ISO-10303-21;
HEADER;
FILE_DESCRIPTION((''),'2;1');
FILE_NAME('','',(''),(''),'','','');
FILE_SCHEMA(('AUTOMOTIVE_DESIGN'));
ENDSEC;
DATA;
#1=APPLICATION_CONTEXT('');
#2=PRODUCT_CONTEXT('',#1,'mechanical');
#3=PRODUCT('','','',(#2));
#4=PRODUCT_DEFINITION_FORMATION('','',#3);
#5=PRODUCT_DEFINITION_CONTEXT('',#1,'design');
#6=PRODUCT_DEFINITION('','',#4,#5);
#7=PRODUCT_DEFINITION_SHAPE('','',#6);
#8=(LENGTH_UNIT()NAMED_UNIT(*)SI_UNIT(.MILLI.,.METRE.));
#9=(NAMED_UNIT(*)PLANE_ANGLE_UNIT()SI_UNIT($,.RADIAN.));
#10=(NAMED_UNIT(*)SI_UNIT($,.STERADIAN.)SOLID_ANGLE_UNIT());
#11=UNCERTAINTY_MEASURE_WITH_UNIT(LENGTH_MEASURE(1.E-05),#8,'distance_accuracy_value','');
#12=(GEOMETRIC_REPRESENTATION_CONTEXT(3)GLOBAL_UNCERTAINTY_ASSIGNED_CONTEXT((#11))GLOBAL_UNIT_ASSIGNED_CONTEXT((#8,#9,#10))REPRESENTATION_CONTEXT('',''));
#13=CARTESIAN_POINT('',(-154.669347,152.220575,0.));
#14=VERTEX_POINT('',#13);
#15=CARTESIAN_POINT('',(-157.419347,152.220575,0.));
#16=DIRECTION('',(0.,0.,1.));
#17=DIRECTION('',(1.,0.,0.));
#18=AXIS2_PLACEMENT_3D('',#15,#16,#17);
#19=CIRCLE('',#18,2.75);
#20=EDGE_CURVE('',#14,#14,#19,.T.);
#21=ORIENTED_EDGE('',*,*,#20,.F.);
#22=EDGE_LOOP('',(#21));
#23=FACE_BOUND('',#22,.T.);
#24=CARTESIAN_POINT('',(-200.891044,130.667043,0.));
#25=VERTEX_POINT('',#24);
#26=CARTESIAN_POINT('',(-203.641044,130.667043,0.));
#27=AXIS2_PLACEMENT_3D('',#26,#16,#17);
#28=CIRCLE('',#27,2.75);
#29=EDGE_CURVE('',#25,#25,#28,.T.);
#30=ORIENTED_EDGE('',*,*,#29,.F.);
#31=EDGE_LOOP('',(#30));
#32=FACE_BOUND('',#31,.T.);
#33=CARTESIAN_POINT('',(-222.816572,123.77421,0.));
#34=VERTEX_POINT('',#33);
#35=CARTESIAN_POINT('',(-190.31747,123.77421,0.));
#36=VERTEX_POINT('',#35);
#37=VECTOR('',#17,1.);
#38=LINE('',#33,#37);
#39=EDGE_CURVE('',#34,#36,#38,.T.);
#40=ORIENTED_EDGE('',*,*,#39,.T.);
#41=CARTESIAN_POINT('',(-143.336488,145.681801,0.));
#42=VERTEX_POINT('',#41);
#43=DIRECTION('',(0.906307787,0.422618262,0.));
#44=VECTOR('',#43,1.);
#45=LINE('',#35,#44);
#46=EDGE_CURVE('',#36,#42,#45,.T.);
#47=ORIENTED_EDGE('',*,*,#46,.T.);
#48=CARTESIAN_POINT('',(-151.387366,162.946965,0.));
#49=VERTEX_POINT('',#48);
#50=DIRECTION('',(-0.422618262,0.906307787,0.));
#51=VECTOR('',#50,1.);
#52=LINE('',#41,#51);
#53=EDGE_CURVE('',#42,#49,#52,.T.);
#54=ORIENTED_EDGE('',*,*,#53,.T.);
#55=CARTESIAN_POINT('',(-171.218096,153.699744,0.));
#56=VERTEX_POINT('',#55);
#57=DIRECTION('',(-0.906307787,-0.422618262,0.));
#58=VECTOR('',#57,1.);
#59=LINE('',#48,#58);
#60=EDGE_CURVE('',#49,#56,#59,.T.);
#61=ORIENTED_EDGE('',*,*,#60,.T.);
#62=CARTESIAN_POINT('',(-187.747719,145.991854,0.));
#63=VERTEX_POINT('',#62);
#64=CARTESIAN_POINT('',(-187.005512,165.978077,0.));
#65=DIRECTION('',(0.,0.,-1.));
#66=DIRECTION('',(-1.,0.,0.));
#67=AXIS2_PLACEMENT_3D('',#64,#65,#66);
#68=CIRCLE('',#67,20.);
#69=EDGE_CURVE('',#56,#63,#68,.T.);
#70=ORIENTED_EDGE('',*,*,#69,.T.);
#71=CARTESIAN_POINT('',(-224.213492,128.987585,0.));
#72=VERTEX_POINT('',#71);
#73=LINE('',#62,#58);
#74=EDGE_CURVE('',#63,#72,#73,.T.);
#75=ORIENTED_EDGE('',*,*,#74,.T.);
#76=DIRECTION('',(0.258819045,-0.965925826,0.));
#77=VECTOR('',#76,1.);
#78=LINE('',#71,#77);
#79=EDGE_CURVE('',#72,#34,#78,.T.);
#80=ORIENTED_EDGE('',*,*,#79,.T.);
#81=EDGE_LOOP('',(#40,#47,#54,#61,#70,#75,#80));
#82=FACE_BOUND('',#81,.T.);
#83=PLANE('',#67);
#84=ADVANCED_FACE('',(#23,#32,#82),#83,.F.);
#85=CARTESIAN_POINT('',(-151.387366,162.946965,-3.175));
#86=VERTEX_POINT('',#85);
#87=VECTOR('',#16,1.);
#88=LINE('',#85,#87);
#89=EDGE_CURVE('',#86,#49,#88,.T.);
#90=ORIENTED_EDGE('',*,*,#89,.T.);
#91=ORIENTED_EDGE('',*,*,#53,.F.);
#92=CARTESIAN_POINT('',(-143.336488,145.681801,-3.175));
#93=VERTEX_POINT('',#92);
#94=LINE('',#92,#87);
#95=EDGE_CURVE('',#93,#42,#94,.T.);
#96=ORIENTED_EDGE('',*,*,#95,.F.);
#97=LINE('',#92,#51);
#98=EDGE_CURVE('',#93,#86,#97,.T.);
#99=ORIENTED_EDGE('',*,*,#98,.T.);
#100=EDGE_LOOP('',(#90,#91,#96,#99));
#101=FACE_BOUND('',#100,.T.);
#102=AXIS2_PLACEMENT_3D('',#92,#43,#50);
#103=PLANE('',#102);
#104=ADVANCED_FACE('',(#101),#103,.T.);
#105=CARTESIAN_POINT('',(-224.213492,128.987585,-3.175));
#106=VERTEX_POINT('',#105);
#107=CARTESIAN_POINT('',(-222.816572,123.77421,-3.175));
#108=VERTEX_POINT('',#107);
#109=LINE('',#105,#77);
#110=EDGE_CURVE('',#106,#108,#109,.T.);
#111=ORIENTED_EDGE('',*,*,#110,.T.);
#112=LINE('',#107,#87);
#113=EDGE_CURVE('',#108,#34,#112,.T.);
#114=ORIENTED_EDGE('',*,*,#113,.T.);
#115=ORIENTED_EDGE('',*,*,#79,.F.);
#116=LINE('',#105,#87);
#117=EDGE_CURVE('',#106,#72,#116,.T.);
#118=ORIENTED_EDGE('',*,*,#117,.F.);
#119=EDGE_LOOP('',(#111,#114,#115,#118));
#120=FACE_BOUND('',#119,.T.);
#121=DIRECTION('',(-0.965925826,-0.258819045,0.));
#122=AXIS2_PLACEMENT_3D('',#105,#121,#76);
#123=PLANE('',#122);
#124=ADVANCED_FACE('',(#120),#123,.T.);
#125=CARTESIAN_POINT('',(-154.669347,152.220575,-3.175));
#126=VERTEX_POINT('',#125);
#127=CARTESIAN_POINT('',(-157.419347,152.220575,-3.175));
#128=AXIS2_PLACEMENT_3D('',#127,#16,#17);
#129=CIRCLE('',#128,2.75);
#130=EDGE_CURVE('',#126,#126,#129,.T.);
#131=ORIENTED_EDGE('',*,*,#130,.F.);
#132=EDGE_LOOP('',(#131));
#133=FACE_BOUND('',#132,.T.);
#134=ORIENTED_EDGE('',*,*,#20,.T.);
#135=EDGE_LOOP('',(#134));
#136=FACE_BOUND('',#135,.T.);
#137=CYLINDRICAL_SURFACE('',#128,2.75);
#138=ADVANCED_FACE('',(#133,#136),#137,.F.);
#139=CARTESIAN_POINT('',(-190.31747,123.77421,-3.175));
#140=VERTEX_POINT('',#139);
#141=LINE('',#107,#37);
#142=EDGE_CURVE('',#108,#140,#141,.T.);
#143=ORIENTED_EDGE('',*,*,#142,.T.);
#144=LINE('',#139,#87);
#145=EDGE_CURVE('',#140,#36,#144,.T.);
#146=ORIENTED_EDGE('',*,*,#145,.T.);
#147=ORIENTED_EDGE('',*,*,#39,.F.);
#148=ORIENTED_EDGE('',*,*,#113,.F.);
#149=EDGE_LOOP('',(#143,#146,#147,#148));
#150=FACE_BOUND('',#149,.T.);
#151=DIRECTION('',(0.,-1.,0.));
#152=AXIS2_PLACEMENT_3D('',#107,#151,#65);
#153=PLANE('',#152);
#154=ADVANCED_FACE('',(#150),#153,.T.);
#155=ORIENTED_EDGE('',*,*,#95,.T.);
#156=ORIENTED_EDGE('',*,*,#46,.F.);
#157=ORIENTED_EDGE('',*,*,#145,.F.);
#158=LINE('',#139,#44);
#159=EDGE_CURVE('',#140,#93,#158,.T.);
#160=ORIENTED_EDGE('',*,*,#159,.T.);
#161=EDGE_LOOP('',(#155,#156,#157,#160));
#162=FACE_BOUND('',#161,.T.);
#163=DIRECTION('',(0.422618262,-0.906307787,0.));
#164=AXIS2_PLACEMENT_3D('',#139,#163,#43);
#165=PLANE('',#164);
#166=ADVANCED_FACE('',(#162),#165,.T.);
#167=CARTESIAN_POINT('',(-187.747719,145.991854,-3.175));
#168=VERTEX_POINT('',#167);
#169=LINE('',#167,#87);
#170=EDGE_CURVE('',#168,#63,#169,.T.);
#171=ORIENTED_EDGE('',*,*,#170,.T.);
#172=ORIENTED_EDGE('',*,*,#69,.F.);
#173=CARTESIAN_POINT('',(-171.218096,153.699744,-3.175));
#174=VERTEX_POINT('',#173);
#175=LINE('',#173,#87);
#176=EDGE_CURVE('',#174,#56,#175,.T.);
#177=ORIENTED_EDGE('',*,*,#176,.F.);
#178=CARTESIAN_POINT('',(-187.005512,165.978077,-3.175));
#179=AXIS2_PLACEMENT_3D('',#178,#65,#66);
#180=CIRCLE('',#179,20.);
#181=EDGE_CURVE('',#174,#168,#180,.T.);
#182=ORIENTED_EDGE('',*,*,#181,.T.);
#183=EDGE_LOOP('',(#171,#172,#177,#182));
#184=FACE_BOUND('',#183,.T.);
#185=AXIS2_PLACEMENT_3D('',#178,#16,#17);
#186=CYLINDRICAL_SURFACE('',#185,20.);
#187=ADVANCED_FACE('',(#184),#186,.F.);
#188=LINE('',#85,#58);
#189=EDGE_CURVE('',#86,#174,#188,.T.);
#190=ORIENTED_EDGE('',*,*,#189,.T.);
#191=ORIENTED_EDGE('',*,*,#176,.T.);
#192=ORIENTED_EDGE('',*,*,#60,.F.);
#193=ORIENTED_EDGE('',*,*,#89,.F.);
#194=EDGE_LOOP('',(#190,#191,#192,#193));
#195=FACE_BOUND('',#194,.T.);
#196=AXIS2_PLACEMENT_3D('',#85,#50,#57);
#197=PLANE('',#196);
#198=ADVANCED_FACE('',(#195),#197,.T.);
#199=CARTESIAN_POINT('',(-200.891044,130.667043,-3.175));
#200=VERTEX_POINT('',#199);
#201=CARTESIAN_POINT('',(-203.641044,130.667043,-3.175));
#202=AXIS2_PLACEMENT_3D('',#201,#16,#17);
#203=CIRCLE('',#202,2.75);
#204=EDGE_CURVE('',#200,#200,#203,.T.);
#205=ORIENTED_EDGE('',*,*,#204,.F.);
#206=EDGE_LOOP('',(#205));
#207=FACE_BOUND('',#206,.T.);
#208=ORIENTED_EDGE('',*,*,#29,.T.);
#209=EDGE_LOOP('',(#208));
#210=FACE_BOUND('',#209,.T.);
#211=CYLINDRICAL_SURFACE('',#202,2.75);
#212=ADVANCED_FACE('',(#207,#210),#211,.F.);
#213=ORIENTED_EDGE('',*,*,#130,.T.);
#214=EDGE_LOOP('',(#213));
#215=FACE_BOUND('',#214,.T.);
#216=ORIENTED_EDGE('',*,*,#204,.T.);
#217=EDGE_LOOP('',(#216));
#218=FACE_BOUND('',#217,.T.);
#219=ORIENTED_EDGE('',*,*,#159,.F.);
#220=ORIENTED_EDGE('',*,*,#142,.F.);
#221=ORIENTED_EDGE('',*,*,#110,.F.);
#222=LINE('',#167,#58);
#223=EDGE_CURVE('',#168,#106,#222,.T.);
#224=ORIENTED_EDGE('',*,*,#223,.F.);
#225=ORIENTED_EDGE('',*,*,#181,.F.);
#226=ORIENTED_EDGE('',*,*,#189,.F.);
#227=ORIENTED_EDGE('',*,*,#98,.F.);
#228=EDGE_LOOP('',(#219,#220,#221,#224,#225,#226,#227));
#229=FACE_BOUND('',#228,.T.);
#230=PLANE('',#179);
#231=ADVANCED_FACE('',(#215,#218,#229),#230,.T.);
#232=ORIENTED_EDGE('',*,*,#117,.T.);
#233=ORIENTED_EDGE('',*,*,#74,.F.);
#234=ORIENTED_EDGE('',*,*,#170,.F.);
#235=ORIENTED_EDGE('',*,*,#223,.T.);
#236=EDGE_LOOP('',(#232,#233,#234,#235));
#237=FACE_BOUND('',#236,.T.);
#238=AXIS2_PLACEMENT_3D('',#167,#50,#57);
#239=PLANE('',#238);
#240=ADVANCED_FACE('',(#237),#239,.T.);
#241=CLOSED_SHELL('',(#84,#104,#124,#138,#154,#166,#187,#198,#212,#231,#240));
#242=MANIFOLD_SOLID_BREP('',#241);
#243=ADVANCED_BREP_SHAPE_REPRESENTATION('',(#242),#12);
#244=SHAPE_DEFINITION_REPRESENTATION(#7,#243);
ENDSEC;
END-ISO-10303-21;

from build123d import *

# Parameters (mm, degrees)
SKETCH3_R           = 2.75
BOSS_EXTRUDE1_DEPTH = 3.175


with BuildPart() as part:
    # Sketch3 → Boss-Extrude1 (new body)
    with BuildSketch(Plane.XY):
        with BuildLine():
            Line((-151.387366014, 162.94696479), (-171.218095931, 153.699743563))
            ThreePointArc((-171.218095931, 153.699743563), (-178.553147236, 147.851921545), (-187.747718893, 145.99185379))
            Line((-187.747718893, 145.99185379), (-224.213491791, 128.987584627))
            Line((-224.213491791, 128.987584627), (-222.816572263, 123.774209976))
            Line((-222.816572263, 123.774209976), (-190.317469649, 123.774209976))
            Line((-190.317469649, 123.774209976), (-143.336488128, 145.681801447))
            Line((-143.336488128, 145.681801447), (-151.387366014, 162.94696479))
        make_face()
        with Locations((-157.41934736, 152.220574699)):
            Circle(SKETCH3_R, mode=Mode.SUBTRACT)
        with Locations((-203.641044499, 130.66704335)):
            Circle(SKETCH3_R, mode=Mode.SUBTRACT)
    extrude(amount=-BOSS_EXTRUDE1_DEPTH)


solid = part.part
